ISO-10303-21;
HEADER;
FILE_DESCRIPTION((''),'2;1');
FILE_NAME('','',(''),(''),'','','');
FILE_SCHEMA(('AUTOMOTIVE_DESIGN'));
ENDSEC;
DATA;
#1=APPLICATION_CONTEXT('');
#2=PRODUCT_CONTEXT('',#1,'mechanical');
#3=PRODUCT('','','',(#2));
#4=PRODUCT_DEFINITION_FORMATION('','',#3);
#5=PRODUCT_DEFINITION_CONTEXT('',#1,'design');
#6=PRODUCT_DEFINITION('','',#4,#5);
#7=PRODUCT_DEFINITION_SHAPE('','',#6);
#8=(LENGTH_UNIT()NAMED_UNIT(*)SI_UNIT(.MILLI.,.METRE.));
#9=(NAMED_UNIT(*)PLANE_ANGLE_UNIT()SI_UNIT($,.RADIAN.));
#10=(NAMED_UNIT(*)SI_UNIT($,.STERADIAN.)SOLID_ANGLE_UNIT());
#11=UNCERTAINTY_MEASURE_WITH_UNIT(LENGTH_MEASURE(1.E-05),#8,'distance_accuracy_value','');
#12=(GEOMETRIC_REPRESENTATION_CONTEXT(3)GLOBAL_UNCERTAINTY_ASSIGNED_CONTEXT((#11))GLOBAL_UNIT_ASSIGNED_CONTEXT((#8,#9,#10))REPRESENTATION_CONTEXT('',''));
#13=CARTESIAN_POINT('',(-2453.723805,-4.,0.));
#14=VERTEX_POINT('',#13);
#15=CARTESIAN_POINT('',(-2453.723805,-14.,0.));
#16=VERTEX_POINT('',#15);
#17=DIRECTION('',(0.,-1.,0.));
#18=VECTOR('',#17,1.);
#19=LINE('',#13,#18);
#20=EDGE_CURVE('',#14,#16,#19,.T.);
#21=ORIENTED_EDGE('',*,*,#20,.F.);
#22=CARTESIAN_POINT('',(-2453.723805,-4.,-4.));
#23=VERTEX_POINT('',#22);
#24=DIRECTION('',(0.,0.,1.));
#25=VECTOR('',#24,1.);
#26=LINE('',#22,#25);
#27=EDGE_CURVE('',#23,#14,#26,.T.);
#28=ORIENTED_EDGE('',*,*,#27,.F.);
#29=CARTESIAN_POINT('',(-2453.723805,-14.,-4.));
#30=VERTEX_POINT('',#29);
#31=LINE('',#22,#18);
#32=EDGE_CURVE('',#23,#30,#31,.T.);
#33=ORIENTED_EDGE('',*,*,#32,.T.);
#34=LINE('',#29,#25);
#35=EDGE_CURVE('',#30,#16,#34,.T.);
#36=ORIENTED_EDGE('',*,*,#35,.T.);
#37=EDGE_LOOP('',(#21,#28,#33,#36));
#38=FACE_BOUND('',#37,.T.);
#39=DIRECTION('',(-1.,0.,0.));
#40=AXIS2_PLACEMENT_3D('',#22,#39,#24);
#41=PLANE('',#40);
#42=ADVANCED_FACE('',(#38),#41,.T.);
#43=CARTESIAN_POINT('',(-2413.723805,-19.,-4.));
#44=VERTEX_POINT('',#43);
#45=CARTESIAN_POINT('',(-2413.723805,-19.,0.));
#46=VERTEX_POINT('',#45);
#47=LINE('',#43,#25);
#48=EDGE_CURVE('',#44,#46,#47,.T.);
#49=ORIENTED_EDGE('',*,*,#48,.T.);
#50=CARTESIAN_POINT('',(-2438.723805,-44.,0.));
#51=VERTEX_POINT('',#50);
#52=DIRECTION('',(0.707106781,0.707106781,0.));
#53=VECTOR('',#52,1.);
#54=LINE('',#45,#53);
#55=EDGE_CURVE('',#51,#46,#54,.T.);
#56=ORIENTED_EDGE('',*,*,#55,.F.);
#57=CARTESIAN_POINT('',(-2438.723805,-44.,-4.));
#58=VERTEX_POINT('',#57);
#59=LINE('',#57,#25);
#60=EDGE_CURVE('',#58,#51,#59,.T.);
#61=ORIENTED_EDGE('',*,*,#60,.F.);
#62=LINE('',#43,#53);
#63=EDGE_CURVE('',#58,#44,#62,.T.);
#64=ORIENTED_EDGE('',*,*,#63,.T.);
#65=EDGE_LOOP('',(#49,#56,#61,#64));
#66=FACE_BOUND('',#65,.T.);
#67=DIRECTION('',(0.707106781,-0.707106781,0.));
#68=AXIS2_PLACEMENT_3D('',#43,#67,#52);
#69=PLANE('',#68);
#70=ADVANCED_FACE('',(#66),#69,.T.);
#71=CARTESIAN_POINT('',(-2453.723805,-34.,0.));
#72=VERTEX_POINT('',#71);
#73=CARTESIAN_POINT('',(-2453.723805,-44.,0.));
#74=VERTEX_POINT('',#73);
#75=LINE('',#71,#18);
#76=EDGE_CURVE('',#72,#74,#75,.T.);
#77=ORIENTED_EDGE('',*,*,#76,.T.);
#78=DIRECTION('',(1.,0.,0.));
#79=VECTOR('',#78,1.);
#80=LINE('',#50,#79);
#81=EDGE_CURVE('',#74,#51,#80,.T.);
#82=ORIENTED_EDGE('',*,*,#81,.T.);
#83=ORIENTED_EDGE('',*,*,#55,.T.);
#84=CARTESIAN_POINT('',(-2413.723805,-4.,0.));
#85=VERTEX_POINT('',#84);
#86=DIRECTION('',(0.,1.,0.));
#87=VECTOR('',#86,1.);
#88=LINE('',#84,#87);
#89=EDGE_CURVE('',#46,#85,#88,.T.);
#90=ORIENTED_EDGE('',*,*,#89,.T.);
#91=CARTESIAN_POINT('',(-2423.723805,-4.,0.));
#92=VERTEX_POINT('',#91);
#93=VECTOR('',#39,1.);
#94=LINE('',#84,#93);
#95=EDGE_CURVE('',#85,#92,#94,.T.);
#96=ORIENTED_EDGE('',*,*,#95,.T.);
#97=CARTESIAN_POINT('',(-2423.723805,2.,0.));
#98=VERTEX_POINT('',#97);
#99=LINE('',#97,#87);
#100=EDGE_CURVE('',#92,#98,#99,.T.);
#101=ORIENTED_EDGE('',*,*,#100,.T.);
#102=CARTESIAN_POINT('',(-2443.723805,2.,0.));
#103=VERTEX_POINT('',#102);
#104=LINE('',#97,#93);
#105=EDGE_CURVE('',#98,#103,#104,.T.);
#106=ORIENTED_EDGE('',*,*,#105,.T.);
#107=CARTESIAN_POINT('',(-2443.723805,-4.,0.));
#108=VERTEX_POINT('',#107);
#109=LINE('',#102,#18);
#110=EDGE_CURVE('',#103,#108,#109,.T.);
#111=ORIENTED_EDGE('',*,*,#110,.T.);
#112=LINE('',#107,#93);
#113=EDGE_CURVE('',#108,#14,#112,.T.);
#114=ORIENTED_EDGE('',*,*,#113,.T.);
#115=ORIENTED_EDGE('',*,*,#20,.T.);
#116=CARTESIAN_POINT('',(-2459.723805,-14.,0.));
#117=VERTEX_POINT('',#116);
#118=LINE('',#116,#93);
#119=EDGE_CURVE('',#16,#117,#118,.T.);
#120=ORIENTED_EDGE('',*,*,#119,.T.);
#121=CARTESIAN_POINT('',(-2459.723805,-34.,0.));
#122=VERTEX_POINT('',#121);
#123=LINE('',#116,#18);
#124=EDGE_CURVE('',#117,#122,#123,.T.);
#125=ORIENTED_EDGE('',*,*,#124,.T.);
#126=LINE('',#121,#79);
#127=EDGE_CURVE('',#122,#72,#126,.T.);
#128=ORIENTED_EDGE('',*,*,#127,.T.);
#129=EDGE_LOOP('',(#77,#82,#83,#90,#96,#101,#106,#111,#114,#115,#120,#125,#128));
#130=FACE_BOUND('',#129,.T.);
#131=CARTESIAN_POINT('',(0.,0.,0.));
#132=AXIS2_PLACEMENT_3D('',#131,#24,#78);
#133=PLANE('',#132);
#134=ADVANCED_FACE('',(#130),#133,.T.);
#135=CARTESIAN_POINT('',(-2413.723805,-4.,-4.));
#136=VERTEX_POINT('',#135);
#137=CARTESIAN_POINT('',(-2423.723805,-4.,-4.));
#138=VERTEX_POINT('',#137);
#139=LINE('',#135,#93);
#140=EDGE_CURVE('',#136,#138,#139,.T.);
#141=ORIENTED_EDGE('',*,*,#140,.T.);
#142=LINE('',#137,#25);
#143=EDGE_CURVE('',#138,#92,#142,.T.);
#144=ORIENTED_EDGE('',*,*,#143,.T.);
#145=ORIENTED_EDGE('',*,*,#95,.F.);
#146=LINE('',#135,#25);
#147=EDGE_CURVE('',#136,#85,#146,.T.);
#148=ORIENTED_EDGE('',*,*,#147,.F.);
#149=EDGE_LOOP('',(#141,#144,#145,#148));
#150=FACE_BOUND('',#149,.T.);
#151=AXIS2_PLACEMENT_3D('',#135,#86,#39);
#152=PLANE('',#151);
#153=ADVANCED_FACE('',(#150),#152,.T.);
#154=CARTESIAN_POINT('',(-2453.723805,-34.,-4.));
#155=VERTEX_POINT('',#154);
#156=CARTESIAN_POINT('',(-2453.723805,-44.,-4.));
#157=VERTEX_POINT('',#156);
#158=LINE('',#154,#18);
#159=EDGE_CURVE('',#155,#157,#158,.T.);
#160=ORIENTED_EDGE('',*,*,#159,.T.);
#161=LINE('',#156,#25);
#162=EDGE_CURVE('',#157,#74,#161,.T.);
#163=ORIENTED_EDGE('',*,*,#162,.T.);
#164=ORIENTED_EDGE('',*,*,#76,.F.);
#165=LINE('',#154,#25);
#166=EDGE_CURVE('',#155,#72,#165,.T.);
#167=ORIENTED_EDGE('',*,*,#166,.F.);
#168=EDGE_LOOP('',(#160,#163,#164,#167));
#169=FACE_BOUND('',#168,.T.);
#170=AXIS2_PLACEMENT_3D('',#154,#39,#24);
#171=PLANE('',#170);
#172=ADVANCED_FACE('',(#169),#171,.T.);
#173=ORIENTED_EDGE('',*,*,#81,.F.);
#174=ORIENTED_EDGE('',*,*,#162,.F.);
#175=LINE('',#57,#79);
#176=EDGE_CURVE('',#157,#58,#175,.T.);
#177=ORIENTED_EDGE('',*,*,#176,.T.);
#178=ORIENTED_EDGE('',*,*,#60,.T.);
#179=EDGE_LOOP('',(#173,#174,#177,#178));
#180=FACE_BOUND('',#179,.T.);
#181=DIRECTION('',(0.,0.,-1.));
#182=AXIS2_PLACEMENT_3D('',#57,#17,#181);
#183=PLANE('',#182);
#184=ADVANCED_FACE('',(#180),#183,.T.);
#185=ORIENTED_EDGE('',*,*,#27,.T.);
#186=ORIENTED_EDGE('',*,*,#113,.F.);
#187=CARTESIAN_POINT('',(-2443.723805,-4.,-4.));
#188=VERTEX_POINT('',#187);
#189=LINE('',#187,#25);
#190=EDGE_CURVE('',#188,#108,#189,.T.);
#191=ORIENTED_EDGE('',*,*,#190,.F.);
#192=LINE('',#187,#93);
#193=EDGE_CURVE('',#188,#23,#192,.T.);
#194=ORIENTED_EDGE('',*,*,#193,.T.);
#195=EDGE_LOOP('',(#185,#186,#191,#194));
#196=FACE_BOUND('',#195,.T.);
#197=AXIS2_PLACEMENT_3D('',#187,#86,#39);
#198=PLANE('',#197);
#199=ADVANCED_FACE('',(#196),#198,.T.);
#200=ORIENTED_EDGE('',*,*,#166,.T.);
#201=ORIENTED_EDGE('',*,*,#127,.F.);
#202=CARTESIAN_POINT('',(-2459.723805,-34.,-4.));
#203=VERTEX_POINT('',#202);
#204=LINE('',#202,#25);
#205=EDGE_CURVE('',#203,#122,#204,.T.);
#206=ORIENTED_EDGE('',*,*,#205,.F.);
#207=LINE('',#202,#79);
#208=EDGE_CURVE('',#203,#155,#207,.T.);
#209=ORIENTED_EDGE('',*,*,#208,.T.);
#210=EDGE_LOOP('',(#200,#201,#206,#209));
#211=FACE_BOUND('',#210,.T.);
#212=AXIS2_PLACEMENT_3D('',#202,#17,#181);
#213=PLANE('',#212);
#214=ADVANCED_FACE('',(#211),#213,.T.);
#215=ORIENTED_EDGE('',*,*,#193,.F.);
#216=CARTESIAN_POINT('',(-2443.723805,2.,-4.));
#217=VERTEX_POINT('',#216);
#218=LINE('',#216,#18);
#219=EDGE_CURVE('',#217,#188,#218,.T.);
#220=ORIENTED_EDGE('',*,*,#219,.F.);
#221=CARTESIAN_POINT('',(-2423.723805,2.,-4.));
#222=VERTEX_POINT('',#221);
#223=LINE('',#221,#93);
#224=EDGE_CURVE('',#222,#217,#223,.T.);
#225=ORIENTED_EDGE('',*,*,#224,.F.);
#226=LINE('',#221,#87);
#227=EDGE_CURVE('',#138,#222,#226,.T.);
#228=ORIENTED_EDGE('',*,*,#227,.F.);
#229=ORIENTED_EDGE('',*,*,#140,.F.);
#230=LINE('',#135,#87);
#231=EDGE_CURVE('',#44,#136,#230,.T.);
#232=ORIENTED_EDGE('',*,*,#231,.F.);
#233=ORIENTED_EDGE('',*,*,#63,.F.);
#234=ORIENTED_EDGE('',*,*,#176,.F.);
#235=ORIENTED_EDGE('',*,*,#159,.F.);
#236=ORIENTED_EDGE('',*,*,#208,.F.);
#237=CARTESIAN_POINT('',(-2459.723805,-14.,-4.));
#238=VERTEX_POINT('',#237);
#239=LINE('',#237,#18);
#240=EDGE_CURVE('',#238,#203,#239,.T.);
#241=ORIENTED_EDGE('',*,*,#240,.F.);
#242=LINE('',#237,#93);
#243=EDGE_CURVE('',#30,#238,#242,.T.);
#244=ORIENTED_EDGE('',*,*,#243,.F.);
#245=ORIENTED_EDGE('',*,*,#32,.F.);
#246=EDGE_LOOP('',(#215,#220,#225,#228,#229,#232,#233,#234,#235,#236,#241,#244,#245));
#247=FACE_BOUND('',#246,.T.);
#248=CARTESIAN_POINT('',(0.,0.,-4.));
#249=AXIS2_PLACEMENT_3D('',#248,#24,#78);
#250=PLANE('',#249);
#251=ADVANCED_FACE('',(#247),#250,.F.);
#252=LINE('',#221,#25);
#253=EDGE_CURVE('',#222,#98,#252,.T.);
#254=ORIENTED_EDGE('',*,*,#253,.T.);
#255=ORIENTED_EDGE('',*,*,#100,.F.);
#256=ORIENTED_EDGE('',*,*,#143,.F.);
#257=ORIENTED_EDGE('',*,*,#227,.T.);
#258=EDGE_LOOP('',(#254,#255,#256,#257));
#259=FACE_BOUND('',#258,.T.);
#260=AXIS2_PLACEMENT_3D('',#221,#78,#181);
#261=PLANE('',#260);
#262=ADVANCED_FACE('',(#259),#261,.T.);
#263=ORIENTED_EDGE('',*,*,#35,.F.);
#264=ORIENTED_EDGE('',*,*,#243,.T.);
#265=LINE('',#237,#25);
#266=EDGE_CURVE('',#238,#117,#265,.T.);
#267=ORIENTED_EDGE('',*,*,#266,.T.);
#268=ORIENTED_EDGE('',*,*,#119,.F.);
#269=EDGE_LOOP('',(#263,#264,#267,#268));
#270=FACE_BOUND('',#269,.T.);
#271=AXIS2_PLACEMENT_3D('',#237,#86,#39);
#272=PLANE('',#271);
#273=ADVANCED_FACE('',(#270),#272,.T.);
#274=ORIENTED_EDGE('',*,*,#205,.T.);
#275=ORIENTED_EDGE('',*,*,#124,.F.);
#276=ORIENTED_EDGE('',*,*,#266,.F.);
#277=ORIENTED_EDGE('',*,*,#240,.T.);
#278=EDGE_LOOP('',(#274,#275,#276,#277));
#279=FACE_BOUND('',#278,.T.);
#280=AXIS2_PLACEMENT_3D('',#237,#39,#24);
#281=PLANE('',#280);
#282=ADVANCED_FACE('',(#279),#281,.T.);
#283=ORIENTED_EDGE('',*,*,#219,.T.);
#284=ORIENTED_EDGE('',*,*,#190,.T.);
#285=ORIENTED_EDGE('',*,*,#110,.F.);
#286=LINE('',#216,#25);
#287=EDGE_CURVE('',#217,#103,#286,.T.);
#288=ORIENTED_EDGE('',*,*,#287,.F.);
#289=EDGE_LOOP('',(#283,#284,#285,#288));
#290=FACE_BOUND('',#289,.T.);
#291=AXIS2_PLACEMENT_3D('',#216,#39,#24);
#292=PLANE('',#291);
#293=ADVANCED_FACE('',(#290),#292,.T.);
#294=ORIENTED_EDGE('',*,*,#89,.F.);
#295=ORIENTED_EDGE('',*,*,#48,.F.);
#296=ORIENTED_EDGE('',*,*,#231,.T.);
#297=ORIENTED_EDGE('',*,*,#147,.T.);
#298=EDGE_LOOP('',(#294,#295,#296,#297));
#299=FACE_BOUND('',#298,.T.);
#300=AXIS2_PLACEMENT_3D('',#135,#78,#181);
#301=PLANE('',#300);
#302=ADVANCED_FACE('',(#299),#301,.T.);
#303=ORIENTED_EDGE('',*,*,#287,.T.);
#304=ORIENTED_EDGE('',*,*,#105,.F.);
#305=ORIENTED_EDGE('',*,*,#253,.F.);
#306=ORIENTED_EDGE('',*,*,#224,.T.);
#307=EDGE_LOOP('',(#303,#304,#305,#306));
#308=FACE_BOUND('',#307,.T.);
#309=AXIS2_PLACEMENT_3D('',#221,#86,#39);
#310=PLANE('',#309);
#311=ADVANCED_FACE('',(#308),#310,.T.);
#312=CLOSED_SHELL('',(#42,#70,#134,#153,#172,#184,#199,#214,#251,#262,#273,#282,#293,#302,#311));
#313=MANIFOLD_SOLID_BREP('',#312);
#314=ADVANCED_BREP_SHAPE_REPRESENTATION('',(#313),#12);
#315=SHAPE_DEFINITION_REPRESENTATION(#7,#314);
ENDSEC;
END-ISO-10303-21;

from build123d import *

# Parameters (mm, degrees)
BOSS_EXTRU_1_DEPTH = 4


with BuildPart() as part:
    # Esquisse1 → Boss.-Extru.1 (new body)
    with BuildSketch(Plane.XY):
        Polygon((-2459.723805414, -14), (-2453.723805414, -14), (-2453.723805414, -4), (-2443.723805414, -4), (-2443.723805414, 2), (-2423.723805414, 2), (-2423.723805414, -4), (-2413.723805414, -4), (-2413.723805414, -19), (-2438.723805414, -44), (-2453.723805414, -44), (-2453.723805414, -34), (-2459.723805414, -34), align=None)
    extrude(amount=-BOSS_EXTRU_1_DEPTH)


solid = part.part
